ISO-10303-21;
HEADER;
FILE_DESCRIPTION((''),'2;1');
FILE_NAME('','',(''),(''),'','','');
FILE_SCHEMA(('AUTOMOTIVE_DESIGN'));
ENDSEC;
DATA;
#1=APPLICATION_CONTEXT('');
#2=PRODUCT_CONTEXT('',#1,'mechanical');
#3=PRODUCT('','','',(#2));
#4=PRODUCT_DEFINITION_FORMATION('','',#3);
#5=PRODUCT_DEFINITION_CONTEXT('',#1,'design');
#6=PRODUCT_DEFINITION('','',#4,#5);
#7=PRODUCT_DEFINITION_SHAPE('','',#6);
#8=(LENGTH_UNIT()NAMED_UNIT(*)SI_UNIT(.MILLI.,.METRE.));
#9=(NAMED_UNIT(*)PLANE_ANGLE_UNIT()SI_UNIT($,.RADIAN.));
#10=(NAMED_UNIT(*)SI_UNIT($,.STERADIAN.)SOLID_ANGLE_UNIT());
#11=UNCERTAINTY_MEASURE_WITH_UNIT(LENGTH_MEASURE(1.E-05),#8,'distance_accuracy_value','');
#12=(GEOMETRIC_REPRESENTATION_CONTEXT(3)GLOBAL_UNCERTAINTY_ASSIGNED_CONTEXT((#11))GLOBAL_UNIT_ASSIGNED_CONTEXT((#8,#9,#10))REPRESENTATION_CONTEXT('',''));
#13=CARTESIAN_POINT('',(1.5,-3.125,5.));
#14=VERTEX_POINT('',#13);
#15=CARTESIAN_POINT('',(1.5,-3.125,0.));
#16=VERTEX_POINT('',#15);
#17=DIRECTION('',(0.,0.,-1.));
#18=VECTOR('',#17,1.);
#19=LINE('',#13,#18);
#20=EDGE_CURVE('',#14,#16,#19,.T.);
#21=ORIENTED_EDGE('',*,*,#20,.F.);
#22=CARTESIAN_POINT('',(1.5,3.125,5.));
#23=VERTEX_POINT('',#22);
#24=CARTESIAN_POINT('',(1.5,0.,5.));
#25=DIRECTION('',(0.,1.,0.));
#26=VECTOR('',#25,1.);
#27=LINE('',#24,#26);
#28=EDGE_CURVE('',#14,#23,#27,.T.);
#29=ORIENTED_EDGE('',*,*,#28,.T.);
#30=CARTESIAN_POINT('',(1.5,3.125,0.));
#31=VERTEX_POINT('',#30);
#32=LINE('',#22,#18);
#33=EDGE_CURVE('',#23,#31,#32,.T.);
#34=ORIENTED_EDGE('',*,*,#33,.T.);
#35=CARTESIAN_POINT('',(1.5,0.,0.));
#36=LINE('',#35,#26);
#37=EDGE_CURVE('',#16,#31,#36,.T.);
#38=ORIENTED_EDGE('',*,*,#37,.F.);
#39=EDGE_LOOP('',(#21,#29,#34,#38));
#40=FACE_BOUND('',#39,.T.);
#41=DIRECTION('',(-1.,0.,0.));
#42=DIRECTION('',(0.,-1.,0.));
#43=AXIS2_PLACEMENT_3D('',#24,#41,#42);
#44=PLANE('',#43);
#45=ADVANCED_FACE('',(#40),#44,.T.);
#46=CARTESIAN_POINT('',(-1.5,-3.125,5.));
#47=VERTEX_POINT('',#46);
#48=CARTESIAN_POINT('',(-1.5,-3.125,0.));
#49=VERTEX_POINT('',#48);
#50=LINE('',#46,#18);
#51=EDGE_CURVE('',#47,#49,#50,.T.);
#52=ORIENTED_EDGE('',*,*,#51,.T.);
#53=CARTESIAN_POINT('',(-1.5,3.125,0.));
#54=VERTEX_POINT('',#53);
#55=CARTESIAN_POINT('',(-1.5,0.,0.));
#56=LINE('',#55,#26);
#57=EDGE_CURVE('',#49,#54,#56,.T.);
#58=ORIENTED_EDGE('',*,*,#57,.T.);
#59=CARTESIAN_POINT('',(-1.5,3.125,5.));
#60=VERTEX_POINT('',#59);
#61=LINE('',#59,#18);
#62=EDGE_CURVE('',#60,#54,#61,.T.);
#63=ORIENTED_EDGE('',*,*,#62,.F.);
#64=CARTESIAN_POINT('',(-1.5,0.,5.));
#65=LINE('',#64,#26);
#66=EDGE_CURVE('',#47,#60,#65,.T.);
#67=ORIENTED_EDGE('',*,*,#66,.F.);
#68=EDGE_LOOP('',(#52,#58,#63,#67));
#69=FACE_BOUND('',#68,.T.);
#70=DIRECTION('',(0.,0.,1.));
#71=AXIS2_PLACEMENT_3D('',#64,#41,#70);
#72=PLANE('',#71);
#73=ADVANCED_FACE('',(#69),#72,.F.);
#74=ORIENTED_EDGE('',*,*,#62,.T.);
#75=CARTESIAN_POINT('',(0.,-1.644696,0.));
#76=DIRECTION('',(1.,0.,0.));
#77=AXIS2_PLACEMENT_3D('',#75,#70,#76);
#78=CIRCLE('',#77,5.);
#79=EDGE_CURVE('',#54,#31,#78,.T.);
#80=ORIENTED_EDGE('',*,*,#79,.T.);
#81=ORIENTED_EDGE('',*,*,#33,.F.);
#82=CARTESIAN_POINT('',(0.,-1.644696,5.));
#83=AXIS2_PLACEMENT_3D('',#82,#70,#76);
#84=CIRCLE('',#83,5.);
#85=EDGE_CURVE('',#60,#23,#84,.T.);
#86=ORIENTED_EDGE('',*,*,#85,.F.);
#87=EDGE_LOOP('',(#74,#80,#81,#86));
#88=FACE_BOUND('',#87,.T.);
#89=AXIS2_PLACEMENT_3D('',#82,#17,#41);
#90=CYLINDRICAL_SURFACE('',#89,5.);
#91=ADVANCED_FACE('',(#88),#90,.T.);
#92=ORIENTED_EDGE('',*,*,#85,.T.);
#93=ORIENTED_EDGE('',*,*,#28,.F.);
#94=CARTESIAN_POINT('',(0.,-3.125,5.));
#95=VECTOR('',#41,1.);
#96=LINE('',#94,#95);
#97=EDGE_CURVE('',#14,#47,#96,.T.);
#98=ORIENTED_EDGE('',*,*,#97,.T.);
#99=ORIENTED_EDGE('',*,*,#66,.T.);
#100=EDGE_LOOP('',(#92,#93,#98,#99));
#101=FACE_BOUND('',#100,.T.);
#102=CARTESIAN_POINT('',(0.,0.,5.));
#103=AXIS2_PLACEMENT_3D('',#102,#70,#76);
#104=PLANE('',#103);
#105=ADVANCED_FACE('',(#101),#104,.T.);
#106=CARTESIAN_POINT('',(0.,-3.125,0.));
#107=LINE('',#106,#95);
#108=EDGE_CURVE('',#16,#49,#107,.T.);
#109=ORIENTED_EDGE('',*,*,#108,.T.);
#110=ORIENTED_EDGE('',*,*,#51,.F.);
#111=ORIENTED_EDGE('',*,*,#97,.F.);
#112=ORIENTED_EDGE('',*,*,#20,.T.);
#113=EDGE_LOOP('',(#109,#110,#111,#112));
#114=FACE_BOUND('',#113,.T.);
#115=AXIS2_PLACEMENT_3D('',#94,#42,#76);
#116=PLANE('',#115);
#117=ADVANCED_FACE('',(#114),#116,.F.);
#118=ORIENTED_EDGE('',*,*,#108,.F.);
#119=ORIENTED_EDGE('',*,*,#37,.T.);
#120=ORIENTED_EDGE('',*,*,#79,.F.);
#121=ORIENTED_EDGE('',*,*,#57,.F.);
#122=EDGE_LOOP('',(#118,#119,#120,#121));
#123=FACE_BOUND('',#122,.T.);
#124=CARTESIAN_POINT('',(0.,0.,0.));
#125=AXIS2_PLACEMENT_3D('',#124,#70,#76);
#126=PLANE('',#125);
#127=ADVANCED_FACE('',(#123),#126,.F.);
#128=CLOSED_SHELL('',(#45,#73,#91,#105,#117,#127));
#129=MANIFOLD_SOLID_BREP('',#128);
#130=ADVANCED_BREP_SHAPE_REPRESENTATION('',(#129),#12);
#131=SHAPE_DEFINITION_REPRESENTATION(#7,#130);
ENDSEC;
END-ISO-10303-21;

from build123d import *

# Parameters (mm, degrees)
BOSS_EXTRUDE1_DEPTH = 5


with BuildPart() as part:
    # Sketch1 → Boss-Extrude1 (new body)
    with BuildSketch(Plane.XY):
        with BuildLine():
            Line((1.5, 3.125), (1.5, -3.125))
            Line((1.5, -3.125), (-1.5, -3.125))
            Line((-1.5, -3.125), (-1.5, 3.125))
            ThreePointArc((-1.5, 3.125), (-2.958039892, -5.675824881), (5, -1.644696007))
            ThreePointArc((5, -1.644696007), (4.031128874, 1.313343884), (1.5, 3.125))
        make_face()
    extrude(amount=BOSS_EXTRUDE1_DEPTH)


solid = part.part
